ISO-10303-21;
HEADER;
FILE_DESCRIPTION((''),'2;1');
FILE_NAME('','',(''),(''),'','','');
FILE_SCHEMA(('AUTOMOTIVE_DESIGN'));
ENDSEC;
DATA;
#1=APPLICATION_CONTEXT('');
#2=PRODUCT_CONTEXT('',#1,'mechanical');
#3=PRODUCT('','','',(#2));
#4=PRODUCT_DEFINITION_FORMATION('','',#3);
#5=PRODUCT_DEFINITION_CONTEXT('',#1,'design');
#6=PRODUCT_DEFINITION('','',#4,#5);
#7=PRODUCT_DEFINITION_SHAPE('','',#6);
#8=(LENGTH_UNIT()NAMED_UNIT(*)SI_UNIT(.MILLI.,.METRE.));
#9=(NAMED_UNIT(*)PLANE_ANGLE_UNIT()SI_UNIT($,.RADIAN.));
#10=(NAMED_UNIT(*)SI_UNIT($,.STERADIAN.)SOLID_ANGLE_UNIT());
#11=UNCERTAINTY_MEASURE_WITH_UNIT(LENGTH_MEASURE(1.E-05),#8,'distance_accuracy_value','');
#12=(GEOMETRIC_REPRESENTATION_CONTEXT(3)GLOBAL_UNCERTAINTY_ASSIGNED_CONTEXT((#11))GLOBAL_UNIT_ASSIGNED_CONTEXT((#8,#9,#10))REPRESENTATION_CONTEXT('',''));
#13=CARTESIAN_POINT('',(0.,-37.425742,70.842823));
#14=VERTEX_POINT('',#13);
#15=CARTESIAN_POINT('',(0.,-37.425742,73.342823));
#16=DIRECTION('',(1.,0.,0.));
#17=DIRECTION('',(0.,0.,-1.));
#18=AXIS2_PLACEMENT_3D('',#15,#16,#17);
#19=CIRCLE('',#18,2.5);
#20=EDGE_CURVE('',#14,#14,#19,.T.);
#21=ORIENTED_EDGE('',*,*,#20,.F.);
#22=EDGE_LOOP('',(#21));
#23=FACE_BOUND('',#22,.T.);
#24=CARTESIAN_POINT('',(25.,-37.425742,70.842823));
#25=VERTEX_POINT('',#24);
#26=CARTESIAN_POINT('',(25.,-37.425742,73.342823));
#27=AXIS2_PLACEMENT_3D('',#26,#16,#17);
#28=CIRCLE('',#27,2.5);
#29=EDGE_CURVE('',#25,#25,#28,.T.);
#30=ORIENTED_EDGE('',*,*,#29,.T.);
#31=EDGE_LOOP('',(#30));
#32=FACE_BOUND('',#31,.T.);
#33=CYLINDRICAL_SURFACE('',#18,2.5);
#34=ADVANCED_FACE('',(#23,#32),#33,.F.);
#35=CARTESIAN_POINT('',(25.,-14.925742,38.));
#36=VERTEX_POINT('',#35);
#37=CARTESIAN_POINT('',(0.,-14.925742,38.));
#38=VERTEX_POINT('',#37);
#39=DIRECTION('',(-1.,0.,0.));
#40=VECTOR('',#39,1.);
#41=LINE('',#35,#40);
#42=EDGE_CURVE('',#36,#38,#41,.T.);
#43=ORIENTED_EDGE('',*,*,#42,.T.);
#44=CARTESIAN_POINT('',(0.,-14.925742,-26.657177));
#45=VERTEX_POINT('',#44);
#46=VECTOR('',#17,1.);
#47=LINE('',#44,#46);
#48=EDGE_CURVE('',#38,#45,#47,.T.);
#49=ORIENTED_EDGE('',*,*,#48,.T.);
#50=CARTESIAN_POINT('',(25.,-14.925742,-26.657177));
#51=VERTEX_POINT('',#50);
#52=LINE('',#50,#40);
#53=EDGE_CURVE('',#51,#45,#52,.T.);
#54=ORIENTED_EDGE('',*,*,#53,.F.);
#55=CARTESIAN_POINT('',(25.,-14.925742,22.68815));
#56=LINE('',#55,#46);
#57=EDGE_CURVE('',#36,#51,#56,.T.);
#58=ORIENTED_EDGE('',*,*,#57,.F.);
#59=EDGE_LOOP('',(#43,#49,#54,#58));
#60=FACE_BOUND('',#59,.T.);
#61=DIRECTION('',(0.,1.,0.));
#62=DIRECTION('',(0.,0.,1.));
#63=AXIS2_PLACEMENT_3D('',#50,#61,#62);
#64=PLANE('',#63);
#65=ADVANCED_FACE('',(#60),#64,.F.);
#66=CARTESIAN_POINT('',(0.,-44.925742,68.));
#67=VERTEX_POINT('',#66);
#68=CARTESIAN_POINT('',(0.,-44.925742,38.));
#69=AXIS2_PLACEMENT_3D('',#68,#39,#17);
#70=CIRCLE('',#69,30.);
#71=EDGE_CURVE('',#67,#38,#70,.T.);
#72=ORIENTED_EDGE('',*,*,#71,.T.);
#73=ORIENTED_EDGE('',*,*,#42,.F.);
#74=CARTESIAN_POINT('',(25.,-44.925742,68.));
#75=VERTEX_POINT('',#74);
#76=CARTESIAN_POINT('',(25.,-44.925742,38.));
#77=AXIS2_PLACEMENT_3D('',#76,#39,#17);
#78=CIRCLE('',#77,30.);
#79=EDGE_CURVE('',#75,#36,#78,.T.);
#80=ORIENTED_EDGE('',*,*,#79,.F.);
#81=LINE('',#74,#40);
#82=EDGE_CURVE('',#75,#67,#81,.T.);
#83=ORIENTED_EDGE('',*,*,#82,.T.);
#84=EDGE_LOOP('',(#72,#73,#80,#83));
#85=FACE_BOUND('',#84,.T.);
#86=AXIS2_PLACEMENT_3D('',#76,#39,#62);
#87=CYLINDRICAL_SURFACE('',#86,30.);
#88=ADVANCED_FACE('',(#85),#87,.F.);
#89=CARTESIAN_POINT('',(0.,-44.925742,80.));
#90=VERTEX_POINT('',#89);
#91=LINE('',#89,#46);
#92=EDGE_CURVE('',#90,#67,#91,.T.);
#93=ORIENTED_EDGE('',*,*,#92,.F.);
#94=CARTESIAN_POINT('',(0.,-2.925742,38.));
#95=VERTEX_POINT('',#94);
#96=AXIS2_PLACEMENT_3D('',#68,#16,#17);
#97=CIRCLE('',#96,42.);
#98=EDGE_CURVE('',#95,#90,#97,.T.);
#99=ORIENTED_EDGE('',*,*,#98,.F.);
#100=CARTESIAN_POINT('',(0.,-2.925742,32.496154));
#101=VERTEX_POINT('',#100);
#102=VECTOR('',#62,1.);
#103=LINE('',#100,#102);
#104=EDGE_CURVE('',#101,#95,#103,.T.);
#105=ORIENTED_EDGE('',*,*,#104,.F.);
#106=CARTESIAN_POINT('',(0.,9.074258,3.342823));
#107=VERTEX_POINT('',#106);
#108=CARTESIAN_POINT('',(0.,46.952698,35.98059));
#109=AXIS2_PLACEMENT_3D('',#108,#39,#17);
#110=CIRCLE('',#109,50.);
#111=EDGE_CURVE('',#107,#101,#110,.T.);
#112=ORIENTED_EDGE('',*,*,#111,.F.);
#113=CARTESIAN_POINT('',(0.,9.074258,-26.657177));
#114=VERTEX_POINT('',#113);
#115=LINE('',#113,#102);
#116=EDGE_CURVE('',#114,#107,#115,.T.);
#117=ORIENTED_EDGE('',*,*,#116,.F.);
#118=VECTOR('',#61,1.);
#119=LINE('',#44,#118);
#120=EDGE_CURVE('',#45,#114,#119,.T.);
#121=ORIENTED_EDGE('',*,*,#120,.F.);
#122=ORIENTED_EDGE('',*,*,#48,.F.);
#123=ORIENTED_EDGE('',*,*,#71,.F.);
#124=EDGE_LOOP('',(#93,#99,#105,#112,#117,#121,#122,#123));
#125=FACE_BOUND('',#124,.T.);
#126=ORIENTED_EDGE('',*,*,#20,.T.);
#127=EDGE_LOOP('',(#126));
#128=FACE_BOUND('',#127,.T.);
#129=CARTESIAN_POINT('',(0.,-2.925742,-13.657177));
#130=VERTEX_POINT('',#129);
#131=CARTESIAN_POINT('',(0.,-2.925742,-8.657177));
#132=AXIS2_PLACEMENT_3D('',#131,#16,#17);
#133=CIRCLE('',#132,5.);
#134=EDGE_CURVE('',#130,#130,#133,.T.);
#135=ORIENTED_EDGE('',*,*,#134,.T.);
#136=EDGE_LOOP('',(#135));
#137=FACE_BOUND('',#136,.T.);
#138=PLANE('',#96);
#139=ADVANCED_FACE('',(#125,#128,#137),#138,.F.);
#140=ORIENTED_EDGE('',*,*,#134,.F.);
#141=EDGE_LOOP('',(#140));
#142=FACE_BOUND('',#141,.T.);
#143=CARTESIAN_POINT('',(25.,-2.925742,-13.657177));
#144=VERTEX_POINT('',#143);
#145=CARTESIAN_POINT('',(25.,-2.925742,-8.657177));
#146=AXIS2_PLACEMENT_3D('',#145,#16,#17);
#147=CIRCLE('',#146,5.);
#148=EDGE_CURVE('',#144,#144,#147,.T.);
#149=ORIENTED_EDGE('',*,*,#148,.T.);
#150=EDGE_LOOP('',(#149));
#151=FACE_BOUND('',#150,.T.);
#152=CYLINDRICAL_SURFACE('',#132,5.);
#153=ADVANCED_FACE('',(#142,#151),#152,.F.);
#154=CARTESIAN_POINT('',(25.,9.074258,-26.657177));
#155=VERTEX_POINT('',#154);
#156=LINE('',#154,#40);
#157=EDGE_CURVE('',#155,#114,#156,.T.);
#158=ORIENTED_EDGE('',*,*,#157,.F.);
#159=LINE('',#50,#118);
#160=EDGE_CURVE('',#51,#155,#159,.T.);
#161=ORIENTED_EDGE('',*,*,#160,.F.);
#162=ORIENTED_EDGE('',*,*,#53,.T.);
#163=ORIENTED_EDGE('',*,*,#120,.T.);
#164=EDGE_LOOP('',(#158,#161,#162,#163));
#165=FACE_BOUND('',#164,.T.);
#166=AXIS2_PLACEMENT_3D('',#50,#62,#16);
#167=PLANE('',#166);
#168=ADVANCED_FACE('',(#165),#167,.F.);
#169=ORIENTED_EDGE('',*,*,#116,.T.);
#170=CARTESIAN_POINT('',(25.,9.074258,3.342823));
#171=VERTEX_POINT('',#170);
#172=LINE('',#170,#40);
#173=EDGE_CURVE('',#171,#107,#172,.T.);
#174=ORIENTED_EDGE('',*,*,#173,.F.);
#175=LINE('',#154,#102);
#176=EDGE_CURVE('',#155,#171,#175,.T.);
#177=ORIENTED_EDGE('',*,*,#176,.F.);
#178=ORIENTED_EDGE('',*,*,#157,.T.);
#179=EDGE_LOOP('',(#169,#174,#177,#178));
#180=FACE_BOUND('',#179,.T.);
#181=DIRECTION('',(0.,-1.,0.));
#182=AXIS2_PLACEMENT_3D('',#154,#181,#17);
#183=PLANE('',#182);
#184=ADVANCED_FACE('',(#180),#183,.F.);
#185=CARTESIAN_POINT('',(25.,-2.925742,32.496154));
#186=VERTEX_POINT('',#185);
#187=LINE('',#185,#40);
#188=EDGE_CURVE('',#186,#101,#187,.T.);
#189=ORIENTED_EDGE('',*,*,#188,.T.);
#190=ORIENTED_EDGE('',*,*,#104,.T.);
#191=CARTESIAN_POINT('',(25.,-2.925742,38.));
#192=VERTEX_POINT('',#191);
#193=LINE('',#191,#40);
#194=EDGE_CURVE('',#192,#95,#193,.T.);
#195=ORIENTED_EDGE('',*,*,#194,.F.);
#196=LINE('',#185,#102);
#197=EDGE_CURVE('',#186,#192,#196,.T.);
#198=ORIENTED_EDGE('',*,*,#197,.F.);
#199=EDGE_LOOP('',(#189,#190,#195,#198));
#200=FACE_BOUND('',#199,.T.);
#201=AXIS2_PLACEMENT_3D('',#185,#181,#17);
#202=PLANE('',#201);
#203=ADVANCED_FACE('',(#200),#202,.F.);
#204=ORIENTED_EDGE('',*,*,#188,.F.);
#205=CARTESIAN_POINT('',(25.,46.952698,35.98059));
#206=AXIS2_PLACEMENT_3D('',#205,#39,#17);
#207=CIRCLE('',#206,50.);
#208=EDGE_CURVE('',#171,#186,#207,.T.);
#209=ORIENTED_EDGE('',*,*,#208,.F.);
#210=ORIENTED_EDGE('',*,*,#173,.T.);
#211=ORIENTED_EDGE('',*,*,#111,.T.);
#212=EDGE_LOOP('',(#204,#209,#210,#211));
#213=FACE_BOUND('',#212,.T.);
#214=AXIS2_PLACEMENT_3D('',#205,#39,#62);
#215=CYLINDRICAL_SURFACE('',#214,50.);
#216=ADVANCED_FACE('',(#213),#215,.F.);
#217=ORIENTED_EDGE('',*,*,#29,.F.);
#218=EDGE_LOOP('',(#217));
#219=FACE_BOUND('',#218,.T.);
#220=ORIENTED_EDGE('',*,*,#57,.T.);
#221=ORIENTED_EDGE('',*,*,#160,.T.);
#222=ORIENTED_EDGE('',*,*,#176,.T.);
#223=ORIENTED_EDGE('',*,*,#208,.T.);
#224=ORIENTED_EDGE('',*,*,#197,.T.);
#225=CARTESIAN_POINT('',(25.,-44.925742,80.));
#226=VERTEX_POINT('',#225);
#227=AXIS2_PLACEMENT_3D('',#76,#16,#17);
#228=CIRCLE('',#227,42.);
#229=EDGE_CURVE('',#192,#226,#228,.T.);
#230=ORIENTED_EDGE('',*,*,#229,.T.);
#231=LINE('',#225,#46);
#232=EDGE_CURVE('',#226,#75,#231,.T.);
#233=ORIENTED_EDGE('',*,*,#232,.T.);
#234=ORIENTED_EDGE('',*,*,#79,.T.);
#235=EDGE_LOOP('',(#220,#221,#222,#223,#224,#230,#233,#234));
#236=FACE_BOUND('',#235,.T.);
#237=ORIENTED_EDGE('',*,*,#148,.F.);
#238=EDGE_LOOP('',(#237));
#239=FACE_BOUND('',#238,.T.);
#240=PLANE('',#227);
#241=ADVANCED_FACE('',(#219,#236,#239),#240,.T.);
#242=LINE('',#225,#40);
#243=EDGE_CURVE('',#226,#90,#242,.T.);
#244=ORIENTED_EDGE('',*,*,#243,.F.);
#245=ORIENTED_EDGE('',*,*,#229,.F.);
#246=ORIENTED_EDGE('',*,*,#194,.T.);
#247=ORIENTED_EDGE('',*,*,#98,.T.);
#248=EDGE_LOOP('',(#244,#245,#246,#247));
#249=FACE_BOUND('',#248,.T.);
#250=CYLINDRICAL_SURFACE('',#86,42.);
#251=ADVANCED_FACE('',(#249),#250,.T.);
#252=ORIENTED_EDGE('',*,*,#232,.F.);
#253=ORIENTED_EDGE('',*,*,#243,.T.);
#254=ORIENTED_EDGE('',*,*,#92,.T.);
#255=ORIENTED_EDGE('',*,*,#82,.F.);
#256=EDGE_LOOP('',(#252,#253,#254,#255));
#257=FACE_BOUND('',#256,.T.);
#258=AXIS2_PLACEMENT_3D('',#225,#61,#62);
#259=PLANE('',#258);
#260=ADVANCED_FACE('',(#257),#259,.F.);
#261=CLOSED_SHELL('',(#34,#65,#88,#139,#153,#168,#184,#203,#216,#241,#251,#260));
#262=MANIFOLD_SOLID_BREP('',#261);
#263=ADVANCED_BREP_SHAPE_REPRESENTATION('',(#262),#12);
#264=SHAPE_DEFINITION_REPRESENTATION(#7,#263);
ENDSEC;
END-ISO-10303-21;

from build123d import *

# Parameters (mm, degrees)
BOSS_EXTRUDE6_DEPTH = 25
SKETCH3_R           = 5
CUT_EXTRUDE1_DEPTH  = 96.096384068
SKETCH4_R           = 2.5
CUT_EXTRUDE2_DEPTH  = 96.096384068


with BuildPart() as part:
    # Sketch2 → Boss-Extrude6 (new body)
    with BuildSketch(Plane(origin=(0, 0, 0), x_dir=(0, 0, -1), z_dir=(1, 0, 0))):
        with BuildLine():
            Line((-32.496153619, -2.925741651), (-38, -2.925741651))
            ThreePointArc((-38, -2.925741651), (-67.69848481, -15.227256841), (-80, -44.925741651))
            Line((-80, -44.925741651), (-68, -44.925741651))
            ThreePointArc((-68, -44.925741651), (-59.213203436, -23.712538215), (-38, -14.925741651))
            Line((-38, -14.925741651), (-22.688150378, -14.925741651))
            Line((-22.688150378, -14.925741651), (26.657177064, -14.925741651))
            Line((26.657177064, -14.925741651), (26.657177064, 9.074258349))
            Line((26.657177064, 9.074258349), (-3.342822936, 9.074258349))
            ThreePointArc((-3.342822936, 9.074258349), (-16.948948047, 0.716384993), (-32.496153619, -2.925741651))
        make_face()
    extrude(amount=BOSS_EXTRUDE6_DEPTH)

    # Sketch3 → Cut-Extrude1 (cut, through all)
    with BuildSketch(Plane(origin=(25, 0, 0), x_dir=(0, 0, -1), z_dir=(1, 0, 0))):
        with Locations((8.657177064, -2.925741651)):
            Circle(SKETCH3_R)
    extrude(amount=-CUT_EXTRUDE1_DEPTH, mode=Mode.SUBTRACT)

    # Sketch4 → Cut-Extrude2 (cut, through all)
    with BuildSketch(Plane(origin=(25, 0, 0), x_dir=(0, 0, -1), z_dir=(1, 0, 0))):
        with Locations((-73.342822936, -37.425741651)):
            Circle(SKETCH4_R)
    extrude(amount=-CUT_EXTRUDE2_DEPTH, mode=Mode.SUBTRACT)


solid = part.part
